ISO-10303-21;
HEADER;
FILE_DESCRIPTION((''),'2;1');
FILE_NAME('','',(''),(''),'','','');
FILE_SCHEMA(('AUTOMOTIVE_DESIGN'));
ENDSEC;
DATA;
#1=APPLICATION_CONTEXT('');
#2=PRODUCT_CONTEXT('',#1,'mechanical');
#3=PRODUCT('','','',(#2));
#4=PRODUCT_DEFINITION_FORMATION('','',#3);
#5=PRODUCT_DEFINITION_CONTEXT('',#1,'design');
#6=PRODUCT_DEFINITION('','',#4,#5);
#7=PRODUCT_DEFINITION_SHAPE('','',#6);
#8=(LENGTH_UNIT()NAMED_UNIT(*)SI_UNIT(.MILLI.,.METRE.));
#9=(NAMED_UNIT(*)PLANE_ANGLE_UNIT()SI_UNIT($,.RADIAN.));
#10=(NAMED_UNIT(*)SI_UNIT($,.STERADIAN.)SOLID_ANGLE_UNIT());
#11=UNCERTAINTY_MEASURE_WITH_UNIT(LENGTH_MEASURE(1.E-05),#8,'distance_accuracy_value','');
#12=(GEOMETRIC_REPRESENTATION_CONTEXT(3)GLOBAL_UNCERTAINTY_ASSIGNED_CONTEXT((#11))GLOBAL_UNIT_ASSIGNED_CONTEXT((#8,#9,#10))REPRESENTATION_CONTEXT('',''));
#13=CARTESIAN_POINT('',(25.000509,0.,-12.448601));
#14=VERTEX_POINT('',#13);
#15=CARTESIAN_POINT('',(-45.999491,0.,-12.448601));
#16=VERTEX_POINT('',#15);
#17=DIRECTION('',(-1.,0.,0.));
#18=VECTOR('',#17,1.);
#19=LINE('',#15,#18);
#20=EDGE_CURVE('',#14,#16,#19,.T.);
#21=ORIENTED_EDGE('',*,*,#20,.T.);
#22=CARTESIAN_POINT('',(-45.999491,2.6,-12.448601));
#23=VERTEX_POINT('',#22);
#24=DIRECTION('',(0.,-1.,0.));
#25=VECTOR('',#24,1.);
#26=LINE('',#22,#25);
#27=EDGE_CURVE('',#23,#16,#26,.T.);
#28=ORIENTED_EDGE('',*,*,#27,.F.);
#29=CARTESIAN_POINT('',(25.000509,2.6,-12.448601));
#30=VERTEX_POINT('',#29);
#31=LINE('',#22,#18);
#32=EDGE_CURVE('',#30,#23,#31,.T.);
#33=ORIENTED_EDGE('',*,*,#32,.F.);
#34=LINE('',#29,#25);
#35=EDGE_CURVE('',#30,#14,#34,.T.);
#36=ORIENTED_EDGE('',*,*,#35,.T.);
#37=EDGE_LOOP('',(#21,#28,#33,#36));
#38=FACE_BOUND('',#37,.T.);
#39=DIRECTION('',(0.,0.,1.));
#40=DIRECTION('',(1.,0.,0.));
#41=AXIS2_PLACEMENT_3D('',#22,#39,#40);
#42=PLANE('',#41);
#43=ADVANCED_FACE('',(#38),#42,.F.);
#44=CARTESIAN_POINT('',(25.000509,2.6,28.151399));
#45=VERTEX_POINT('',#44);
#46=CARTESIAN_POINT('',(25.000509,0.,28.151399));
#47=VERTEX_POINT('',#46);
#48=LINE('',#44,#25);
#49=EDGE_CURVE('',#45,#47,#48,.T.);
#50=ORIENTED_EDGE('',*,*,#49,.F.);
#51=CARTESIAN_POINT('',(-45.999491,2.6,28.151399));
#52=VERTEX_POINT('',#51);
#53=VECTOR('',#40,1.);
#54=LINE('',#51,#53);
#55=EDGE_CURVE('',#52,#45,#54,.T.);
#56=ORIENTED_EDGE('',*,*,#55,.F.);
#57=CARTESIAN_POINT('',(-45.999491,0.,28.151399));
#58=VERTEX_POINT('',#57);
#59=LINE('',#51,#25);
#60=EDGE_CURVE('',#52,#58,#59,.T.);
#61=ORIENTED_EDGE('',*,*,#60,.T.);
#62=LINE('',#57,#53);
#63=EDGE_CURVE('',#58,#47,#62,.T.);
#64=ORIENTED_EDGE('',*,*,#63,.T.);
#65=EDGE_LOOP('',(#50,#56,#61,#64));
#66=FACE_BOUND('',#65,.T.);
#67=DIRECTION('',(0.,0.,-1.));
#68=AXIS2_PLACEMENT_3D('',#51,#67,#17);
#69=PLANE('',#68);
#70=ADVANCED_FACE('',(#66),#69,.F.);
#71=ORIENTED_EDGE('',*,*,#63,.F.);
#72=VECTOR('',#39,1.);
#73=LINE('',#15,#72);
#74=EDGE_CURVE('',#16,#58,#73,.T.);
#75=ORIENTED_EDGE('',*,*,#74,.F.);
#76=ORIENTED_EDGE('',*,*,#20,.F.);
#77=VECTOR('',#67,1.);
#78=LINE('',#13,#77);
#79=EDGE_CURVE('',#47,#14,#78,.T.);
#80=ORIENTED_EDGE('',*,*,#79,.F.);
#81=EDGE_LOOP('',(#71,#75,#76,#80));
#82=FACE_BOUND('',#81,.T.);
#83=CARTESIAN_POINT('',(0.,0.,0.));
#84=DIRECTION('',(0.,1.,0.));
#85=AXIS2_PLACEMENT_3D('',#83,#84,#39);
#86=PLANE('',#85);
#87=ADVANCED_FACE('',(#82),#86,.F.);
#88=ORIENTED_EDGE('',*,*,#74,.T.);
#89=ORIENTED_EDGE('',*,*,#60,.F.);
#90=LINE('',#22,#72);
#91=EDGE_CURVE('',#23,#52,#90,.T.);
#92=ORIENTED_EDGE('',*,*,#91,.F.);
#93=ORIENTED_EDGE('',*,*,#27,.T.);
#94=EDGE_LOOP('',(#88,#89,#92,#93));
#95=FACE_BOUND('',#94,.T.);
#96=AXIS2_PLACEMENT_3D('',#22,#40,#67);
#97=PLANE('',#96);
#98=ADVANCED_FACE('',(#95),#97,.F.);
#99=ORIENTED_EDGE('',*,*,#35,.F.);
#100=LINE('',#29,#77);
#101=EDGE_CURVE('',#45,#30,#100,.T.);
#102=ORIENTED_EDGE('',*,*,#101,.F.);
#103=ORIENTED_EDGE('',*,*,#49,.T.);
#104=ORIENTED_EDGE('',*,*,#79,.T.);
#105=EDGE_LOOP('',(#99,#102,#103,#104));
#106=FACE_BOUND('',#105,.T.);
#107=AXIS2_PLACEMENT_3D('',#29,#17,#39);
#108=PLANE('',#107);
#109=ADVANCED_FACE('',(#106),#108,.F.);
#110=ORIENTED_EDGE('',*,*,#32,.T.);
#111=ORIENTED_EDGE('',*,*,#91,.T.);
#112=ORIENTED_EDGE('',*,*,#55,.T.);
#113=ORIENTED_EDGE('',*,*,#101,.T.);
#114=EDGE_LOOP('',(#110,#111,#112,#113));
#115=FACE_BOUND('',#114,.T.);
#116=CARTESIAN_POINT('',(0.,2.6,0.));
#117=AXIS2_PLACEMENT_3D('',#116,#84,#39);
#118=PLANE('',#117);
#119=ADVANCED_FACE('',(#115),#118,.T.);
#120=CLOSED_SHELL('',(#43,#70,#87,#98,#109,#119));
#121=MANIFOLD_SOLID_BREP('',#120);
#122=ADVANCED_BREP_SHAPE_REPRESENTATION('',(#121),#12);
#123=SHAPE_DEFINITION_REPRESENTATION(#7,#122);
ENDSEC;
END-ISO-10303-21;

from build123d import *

# Parameters (mm, degrees)
SKETCH_1_W      = 71
SKETCH_1_H      = 40.6
EXTRUDE_1_DEPTH = 2.6


with BuildPart() as part:
    # 草图1 → 凸台-拉伸1 (new body)
    with BuildSketch(Plane(origin=(0, 0, 0), x_dir=(1, 0, 0), z_dir=(0, 1, 0))):
        with Locations((-10.499491094, -7.851399491)):
            Rectangle(SKETCH_1_W, SKETCH_1_H)
    extrude(amount=EXTRUDE_1_DEPTH)


solid = part.part
